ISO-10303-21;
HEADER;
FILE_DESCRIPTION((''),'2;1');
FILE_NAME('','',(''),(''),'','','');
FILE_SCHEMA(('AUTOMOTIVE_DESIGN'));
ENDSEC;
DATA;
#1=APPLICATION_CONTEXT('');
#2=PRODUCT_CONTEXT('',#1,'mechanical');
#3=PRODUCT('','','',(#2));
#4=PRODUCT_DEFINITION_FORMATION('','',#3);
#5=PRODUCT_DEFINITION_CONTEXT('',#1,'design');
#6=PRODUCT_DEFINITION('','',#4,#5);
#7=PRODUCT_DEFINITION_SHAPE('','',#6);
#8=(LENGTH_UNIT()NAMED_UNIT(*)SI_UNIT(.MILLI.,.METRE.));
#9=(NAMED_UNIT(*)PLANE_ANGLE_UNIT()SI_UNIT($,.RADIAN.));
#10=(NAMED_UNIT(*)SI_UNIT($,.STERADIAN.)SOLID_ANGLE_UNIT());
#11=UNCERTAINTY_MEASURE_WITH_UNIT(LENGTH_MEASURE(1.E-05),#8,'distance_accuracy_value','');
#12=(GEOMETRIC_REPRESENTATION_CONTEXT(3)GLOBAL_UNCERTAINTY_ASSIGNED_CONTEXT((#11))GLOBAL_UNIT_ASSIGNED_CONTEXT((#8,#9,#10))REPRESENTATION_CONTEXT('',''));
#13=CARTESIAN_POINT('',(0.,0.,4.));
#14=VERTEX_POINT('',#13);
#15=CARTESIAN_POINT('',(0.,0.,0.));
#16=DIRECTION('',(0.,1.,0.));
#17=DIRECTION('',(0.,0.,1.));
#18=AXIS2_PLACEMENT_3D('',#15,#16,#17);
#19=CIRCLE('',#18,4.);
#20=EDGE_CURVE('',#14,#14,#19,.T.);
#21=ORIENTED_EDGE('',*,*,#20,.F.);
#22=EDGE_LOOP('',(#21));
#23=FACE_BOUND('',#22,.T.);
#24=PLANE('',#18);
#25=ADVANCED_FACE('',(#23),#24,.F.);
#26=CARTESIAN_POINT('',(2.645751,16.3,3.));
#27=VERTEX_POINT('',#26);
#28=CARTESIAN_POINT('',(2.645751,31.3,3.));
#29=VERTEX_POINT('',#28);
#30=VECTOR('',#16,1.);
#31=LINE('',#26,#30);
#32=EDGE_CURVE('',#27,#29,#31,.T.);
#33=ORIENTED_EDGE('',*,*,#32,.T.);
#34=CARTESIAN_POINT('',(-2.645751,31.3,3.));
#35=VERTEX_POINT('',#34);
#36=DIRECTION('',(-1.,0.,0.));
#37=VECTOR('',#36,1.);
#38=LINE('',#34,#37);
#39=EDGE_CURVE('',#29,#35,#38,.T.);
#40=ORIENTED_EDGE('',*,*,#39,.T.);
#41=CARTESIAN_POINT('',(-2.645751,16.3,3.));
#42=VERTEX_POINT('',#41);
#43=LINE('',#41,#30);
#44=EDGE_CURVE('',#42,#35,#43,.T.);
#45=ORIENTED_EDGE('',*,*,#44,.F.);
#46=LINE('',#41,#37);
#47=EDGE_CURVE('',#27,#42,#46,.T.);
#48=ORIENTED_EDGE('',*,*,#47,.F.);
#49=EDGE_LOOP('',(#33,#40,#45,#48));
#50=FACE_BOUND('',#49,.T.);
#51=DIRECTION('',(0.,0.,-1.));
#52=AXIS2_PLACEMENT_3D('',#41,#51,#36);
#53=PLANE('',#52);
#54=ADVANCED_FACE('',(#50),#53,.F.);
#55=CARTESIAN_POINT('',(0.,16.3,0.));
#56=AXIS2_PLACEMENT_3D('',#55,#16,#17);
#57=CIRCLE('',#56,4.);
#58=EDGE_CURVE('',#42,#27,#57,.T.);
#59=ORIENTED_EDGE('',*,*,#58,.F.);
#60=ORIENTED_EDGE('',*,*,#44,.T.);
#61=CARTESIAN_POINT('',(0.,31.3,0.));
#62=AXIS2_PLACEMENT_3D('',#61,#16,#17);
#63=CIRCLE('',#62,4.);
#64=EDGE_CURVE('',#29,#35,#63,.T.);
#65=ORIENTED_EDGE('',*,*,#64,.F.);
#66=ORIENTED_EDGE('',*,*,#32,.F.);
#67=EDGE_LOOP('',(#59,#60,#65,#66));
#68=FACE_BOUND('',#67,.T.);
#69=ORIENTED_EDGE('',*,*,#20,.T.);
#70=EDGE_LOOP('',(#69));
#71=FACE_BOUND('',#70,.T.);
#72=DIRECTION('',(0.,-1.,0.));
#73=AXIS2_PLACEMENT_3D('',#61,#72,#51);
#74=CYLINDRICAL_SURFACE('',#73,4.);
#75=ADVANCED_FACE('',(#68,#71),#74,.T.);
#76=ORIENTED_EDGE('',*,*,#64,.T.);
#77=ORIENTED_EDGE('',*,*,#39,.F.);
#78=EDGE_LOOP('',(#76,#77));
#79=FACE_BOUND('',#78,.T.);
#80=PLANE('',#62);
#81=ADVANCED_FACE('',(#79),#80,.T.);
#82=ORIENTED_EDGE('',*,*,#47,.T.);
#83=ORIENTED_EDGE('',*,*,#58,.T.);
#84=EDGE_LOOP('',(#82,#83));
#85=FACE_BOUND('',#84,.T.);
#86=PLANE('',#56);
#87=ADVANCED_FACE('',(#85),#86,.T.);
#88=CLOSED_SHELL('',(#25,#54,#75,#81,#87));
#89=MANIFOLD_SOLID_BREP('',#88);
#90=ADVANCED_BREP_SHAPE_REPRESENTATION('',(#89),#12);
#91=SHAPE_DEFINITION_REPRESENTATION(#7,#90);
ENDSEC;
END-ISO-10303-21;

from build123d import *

# Parameters (mm, degrees)
SKETCH1_R           = 4
BOSS_EXTRUDE1_DEPTH = 31.3
CUT_EXTRUDE2_DEPTH  = 15


with BuildPart() as part:
    # Sketch1 → Boss-Extrude1 (new body)
    with BuildSketch(Plane(origin=(0, 0, 0), x_dir=(1, 0, 0), z_dir=(0, 1, 0))):
        Circle(SKETCH1_R)
    extrude(amount=BOSS_EXTRUDE1_DEPTH)

    # Sketch2 → Cut-Extrude2 (cut)
    with BuildSketch(Plane(origin=(0, 31.3, 0), x_dir=(1, 0, 0), z_dir=(0, 1, 0))):
        with BuildLine():
            Line((-2.645751311, -3), (2.645751311, -3))
            ThreePointArc((2.645751311, -3), (0, -4), (-2.645751311, -3))
        make_face()
    extrude(amount=-CUT_EXTRUDE2_DEPTH, mode=Mode.SUBTRACT)


solid = part.part
